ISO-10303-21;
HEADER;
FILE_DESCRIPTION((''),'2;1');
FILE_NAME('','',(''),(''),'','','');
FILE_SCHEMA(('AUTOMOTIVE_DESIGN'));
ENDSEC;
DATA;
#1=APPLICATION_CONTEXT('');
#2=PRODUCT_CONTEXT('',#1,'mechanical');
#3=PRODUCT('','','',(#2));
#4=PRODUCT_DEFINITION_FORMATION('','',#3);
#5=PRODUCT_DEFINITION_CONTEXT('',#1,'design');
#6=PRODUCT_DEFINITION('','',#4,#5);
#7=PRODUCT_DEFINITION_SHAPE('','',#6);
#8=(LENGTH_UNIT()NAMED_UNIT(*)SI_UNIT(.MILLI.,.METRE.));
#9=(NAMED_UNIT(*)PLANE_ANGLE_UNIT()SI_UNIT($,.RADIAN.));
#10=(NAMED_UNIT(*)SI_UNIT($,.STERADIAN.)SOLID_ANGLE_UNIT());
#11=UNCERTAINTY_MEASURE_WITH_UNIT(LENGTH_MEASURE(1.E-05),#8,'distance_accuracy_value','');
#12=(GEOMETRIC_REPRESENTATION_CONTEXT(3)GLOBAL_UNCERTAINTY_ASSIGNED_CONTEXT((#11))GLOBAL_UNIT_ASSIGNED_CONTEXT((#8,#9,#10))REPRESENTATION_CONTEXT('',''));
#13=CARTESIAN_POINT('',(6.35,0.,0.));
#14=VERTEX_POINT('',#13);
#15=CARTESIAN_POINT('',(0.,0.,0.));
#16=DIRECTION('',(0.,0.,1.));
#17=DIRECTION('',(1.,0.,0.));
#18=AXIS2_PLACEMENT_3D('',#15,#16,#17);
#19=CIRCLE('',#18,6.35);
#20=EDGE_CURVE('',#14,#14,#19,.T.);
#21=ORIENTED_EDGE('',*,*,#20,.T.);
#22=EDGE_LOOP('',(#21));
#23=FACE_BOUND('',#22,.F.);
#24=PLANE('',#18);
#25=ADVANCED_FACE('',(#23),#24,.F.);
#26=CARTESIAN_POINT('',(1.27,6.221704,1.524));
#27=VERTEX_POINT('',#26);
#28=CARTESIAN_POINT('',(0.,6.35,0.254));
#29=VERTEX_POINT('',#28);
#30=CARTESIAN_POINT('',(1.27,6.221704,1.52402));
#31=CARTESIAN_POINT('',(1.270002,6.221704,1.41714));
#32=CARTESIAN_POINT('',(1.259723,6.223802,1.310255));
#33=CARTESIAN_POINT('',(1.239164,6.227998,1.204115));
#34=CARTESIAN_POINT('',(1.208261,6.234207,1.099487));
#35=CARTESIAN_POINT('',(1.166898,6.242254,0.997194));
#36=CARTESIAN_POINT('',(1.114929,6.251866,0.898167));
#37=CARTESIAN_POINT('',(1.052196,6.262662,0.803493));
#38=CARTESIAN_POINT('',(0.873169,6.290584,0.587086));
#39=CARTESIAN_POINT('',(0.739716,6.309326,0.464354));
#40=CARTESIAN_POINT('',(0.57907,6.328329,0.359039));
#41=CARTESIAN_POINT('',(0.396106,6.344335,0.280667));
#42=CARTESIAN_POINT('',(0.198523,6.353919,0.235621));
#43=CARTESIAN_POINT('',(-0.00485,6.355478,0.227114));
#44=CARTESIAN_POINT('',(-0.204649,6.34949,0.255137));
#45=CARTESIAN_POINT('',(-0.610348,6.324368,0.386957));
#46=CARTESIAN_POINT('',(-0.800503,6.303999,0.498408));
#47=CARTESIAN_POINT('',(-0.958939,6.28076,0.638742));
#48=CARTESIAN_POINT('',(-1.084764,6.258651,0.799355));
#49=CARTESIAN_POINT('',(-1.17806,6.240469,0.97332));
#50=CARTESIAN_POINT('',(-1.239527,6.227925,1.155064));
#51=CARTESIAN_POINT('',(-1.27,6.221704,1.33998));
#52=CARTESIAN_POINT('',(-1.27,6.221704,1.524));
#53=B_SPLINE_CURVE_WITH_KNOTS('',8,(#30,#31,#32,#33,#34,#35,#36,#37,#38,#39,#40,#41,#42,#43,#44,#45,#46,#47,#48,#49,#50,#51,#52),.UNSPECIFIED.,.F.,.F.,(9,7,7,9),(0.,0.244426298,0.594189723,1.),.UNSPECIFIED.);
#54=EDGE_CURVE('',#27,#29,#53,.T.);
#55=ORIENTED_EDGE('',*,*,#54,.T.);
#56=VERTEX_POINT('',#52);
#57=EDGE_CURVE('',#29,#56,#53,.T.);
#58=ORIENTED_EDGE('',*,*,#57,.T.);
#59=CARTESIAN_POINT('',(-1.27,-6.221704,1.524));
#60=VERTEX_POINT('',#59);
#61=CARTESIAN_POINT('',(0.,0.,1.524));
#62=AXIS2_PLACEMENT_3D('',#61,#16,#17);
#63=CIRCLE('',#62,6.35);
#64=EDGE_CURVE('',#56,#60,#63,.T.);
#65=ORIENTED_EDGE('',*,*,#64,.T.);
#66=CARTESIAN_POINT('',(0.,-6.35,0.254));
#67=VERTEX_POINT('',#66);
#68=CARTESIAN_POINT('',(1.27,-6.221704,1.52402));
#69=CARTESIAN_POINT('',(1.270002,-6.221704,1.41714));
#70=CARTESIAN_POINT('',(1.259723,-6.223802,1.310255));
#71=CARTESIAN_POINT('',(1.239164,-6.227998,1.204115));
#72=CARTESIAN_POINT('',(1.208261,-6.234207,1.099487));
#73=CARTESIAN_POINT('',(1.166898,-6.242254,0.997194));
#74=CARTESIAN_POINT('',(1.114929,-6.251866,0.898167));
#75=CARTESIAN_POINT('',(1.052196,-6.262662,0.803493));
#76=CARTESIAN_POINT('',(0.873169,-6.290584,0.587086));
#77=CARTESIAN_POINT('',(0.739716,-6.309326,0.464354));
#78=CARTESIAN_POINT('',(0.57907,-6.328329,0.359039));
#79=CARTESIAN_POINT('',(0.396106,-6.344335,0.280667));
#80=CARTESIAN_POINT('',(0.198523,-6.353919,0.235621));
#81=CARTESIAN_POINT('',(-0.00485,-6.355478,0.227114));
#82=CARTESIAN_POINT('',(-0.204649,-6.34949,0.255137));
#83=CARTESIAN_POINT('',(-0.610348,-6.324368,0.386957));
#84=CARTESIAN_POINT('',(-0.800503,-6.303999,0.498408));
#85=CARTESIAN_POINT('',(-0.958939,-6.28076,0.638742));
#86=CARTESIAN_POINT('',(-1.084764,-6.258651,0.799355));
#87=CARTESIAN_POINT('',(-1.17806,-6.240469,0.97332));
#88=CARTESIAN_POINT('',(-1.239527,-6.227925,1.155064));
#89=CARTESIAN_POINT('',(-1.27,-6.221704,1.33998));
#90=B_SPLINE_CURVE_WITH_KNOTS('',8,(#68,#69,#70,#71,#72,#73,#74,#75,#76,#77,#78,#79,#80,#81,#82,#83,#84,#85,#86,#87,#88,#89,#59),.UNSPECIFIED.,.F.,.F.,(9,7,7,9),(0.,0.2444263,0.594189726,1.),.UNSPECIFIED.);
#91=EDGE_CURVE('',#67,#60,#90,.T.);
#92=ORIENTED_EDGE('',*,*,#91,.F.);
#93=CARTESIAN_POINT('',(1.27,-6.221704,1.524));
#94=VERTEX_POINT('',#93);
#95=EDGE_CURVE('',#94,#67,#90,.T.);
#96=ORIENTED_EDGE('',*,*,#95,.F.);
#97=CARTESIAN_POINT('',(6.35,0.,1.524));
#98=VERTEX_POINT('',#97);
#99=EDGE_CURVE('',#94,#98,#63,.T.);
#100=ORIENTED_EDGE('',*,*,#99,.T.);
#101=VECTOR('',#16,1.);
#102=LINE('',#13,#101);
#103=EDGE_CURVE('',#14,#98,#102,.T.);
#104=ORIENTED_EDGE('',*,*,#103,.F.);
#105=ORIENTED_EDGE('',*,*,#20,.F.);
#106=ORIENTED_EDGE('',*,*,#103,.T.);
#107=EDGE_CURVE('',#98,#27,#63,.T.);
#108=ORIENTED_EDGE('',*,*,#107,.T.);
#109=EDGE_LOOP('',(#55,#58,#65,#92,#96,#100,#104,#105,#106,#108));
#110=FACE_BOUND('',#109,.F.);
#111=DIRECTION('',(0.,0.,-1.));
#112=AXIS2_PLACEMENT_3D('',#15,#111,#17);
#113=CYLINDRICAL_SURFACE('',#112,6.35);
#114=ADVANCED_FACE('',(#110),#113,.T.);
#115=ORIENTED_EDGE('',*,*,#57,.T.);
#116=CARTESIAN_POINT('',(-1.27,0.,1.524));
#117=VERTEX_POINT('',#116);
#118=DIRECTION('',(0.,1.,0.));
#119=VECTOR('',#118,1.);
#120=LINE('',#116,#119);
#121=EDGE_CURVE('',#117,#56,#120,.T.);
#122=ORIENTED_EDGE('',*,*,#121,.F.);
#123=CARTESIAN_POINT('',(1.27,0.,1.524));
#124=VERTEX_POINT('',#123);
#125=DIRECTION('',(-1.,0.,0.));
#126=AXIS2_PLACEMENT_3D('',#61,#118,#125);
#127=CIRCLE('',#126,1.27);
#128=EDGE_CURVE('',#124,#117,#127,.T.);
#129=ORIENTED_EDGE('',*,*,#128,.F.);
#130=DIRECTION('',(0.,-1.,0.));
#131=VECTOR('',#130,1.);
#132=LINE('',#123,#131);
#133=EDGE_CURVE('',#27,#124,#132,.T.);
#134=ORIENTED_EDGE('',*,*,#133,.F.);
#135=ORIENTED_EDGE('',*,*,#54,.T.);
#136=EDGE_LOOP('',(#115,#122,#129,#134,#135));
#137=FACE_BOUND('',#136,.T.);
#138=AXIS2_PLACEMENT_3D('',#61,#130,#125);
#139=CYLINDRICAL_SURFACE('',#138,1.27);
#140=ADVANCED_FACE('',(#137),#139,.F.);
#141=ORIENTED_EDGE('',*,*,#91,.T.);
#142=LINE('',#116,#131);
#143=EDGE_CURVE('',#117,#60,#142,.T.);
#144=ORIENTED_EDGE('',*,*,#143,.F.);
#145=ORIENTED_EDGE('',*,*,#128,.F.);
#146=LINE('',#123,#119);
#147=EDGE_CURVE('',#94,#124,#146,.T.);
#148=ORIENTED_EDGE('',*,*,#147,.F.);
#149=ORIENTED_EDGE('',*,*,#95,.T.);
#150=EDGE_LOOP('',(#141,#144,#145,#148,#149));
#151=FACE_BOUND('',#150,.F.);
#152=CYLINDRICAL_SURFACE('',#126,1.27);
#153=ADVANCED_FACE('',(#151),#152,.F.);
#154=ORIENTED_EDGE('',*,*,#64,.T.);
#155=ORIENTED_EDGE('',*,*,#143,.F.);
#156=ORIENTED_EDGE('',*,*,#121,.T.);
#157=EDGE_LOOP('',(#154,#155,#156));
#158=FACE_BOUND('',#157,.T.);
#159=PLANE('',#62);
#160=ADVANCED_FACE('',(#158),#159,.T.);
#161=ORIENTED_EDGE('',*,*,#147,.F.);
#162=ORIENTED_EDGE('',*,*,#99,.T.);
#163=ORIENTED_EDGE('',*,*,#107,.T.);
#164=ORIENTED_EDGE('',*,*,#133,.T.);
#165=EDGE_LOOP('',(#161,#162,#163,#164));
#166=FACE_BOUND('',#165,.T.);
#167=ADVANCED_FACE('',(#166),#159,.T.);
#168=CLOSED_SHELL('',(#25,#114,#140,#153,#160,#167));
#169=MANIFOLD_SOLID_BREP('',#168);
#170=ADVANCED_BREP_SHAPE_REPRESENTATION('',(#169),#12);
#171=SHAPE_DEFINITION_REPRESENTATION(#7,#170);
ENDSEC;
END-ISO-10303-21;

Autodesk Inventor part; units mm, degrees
ref_plane "YZ Plane" through (0, 0, 0) normal (1, 0, 0) x (0, 1, 0)
ref_plane "XZ Plane" through (0, 0, 0) normal (0, 1, 0) x (-1, 0, 0)
ref_plane "XY Plane" through (0, 0, 0) normal (0, 0, 1) x (1, 0, 0)
sketch "Sketch1" plane through (0, 0, 0) normal (0, 0, 1) x (1, 0, 0)
  circle A0 centre (0, 0) radius 6.35
  dimension "d0" = 12.7
extrude "Extrusion1" add sketch "Sketch1" along normal blind 1.524
sketch "Sketch2" plane through (0, 0, 0) normal (0, 1, 0) x (-1, 0, 0)
  line L0 (0, 0) -> (0, 0.254)
  line L1 (6.35, 1.524) -> (-6.35, 1.524) projected
  circle A0 centre (0, 1.524) radius 1.27
  dimension "d3" = 0.254
extrude "Extrusion2" cut sketch "Sketch2" along normal mid plane 12.7
properties part number "cap"
